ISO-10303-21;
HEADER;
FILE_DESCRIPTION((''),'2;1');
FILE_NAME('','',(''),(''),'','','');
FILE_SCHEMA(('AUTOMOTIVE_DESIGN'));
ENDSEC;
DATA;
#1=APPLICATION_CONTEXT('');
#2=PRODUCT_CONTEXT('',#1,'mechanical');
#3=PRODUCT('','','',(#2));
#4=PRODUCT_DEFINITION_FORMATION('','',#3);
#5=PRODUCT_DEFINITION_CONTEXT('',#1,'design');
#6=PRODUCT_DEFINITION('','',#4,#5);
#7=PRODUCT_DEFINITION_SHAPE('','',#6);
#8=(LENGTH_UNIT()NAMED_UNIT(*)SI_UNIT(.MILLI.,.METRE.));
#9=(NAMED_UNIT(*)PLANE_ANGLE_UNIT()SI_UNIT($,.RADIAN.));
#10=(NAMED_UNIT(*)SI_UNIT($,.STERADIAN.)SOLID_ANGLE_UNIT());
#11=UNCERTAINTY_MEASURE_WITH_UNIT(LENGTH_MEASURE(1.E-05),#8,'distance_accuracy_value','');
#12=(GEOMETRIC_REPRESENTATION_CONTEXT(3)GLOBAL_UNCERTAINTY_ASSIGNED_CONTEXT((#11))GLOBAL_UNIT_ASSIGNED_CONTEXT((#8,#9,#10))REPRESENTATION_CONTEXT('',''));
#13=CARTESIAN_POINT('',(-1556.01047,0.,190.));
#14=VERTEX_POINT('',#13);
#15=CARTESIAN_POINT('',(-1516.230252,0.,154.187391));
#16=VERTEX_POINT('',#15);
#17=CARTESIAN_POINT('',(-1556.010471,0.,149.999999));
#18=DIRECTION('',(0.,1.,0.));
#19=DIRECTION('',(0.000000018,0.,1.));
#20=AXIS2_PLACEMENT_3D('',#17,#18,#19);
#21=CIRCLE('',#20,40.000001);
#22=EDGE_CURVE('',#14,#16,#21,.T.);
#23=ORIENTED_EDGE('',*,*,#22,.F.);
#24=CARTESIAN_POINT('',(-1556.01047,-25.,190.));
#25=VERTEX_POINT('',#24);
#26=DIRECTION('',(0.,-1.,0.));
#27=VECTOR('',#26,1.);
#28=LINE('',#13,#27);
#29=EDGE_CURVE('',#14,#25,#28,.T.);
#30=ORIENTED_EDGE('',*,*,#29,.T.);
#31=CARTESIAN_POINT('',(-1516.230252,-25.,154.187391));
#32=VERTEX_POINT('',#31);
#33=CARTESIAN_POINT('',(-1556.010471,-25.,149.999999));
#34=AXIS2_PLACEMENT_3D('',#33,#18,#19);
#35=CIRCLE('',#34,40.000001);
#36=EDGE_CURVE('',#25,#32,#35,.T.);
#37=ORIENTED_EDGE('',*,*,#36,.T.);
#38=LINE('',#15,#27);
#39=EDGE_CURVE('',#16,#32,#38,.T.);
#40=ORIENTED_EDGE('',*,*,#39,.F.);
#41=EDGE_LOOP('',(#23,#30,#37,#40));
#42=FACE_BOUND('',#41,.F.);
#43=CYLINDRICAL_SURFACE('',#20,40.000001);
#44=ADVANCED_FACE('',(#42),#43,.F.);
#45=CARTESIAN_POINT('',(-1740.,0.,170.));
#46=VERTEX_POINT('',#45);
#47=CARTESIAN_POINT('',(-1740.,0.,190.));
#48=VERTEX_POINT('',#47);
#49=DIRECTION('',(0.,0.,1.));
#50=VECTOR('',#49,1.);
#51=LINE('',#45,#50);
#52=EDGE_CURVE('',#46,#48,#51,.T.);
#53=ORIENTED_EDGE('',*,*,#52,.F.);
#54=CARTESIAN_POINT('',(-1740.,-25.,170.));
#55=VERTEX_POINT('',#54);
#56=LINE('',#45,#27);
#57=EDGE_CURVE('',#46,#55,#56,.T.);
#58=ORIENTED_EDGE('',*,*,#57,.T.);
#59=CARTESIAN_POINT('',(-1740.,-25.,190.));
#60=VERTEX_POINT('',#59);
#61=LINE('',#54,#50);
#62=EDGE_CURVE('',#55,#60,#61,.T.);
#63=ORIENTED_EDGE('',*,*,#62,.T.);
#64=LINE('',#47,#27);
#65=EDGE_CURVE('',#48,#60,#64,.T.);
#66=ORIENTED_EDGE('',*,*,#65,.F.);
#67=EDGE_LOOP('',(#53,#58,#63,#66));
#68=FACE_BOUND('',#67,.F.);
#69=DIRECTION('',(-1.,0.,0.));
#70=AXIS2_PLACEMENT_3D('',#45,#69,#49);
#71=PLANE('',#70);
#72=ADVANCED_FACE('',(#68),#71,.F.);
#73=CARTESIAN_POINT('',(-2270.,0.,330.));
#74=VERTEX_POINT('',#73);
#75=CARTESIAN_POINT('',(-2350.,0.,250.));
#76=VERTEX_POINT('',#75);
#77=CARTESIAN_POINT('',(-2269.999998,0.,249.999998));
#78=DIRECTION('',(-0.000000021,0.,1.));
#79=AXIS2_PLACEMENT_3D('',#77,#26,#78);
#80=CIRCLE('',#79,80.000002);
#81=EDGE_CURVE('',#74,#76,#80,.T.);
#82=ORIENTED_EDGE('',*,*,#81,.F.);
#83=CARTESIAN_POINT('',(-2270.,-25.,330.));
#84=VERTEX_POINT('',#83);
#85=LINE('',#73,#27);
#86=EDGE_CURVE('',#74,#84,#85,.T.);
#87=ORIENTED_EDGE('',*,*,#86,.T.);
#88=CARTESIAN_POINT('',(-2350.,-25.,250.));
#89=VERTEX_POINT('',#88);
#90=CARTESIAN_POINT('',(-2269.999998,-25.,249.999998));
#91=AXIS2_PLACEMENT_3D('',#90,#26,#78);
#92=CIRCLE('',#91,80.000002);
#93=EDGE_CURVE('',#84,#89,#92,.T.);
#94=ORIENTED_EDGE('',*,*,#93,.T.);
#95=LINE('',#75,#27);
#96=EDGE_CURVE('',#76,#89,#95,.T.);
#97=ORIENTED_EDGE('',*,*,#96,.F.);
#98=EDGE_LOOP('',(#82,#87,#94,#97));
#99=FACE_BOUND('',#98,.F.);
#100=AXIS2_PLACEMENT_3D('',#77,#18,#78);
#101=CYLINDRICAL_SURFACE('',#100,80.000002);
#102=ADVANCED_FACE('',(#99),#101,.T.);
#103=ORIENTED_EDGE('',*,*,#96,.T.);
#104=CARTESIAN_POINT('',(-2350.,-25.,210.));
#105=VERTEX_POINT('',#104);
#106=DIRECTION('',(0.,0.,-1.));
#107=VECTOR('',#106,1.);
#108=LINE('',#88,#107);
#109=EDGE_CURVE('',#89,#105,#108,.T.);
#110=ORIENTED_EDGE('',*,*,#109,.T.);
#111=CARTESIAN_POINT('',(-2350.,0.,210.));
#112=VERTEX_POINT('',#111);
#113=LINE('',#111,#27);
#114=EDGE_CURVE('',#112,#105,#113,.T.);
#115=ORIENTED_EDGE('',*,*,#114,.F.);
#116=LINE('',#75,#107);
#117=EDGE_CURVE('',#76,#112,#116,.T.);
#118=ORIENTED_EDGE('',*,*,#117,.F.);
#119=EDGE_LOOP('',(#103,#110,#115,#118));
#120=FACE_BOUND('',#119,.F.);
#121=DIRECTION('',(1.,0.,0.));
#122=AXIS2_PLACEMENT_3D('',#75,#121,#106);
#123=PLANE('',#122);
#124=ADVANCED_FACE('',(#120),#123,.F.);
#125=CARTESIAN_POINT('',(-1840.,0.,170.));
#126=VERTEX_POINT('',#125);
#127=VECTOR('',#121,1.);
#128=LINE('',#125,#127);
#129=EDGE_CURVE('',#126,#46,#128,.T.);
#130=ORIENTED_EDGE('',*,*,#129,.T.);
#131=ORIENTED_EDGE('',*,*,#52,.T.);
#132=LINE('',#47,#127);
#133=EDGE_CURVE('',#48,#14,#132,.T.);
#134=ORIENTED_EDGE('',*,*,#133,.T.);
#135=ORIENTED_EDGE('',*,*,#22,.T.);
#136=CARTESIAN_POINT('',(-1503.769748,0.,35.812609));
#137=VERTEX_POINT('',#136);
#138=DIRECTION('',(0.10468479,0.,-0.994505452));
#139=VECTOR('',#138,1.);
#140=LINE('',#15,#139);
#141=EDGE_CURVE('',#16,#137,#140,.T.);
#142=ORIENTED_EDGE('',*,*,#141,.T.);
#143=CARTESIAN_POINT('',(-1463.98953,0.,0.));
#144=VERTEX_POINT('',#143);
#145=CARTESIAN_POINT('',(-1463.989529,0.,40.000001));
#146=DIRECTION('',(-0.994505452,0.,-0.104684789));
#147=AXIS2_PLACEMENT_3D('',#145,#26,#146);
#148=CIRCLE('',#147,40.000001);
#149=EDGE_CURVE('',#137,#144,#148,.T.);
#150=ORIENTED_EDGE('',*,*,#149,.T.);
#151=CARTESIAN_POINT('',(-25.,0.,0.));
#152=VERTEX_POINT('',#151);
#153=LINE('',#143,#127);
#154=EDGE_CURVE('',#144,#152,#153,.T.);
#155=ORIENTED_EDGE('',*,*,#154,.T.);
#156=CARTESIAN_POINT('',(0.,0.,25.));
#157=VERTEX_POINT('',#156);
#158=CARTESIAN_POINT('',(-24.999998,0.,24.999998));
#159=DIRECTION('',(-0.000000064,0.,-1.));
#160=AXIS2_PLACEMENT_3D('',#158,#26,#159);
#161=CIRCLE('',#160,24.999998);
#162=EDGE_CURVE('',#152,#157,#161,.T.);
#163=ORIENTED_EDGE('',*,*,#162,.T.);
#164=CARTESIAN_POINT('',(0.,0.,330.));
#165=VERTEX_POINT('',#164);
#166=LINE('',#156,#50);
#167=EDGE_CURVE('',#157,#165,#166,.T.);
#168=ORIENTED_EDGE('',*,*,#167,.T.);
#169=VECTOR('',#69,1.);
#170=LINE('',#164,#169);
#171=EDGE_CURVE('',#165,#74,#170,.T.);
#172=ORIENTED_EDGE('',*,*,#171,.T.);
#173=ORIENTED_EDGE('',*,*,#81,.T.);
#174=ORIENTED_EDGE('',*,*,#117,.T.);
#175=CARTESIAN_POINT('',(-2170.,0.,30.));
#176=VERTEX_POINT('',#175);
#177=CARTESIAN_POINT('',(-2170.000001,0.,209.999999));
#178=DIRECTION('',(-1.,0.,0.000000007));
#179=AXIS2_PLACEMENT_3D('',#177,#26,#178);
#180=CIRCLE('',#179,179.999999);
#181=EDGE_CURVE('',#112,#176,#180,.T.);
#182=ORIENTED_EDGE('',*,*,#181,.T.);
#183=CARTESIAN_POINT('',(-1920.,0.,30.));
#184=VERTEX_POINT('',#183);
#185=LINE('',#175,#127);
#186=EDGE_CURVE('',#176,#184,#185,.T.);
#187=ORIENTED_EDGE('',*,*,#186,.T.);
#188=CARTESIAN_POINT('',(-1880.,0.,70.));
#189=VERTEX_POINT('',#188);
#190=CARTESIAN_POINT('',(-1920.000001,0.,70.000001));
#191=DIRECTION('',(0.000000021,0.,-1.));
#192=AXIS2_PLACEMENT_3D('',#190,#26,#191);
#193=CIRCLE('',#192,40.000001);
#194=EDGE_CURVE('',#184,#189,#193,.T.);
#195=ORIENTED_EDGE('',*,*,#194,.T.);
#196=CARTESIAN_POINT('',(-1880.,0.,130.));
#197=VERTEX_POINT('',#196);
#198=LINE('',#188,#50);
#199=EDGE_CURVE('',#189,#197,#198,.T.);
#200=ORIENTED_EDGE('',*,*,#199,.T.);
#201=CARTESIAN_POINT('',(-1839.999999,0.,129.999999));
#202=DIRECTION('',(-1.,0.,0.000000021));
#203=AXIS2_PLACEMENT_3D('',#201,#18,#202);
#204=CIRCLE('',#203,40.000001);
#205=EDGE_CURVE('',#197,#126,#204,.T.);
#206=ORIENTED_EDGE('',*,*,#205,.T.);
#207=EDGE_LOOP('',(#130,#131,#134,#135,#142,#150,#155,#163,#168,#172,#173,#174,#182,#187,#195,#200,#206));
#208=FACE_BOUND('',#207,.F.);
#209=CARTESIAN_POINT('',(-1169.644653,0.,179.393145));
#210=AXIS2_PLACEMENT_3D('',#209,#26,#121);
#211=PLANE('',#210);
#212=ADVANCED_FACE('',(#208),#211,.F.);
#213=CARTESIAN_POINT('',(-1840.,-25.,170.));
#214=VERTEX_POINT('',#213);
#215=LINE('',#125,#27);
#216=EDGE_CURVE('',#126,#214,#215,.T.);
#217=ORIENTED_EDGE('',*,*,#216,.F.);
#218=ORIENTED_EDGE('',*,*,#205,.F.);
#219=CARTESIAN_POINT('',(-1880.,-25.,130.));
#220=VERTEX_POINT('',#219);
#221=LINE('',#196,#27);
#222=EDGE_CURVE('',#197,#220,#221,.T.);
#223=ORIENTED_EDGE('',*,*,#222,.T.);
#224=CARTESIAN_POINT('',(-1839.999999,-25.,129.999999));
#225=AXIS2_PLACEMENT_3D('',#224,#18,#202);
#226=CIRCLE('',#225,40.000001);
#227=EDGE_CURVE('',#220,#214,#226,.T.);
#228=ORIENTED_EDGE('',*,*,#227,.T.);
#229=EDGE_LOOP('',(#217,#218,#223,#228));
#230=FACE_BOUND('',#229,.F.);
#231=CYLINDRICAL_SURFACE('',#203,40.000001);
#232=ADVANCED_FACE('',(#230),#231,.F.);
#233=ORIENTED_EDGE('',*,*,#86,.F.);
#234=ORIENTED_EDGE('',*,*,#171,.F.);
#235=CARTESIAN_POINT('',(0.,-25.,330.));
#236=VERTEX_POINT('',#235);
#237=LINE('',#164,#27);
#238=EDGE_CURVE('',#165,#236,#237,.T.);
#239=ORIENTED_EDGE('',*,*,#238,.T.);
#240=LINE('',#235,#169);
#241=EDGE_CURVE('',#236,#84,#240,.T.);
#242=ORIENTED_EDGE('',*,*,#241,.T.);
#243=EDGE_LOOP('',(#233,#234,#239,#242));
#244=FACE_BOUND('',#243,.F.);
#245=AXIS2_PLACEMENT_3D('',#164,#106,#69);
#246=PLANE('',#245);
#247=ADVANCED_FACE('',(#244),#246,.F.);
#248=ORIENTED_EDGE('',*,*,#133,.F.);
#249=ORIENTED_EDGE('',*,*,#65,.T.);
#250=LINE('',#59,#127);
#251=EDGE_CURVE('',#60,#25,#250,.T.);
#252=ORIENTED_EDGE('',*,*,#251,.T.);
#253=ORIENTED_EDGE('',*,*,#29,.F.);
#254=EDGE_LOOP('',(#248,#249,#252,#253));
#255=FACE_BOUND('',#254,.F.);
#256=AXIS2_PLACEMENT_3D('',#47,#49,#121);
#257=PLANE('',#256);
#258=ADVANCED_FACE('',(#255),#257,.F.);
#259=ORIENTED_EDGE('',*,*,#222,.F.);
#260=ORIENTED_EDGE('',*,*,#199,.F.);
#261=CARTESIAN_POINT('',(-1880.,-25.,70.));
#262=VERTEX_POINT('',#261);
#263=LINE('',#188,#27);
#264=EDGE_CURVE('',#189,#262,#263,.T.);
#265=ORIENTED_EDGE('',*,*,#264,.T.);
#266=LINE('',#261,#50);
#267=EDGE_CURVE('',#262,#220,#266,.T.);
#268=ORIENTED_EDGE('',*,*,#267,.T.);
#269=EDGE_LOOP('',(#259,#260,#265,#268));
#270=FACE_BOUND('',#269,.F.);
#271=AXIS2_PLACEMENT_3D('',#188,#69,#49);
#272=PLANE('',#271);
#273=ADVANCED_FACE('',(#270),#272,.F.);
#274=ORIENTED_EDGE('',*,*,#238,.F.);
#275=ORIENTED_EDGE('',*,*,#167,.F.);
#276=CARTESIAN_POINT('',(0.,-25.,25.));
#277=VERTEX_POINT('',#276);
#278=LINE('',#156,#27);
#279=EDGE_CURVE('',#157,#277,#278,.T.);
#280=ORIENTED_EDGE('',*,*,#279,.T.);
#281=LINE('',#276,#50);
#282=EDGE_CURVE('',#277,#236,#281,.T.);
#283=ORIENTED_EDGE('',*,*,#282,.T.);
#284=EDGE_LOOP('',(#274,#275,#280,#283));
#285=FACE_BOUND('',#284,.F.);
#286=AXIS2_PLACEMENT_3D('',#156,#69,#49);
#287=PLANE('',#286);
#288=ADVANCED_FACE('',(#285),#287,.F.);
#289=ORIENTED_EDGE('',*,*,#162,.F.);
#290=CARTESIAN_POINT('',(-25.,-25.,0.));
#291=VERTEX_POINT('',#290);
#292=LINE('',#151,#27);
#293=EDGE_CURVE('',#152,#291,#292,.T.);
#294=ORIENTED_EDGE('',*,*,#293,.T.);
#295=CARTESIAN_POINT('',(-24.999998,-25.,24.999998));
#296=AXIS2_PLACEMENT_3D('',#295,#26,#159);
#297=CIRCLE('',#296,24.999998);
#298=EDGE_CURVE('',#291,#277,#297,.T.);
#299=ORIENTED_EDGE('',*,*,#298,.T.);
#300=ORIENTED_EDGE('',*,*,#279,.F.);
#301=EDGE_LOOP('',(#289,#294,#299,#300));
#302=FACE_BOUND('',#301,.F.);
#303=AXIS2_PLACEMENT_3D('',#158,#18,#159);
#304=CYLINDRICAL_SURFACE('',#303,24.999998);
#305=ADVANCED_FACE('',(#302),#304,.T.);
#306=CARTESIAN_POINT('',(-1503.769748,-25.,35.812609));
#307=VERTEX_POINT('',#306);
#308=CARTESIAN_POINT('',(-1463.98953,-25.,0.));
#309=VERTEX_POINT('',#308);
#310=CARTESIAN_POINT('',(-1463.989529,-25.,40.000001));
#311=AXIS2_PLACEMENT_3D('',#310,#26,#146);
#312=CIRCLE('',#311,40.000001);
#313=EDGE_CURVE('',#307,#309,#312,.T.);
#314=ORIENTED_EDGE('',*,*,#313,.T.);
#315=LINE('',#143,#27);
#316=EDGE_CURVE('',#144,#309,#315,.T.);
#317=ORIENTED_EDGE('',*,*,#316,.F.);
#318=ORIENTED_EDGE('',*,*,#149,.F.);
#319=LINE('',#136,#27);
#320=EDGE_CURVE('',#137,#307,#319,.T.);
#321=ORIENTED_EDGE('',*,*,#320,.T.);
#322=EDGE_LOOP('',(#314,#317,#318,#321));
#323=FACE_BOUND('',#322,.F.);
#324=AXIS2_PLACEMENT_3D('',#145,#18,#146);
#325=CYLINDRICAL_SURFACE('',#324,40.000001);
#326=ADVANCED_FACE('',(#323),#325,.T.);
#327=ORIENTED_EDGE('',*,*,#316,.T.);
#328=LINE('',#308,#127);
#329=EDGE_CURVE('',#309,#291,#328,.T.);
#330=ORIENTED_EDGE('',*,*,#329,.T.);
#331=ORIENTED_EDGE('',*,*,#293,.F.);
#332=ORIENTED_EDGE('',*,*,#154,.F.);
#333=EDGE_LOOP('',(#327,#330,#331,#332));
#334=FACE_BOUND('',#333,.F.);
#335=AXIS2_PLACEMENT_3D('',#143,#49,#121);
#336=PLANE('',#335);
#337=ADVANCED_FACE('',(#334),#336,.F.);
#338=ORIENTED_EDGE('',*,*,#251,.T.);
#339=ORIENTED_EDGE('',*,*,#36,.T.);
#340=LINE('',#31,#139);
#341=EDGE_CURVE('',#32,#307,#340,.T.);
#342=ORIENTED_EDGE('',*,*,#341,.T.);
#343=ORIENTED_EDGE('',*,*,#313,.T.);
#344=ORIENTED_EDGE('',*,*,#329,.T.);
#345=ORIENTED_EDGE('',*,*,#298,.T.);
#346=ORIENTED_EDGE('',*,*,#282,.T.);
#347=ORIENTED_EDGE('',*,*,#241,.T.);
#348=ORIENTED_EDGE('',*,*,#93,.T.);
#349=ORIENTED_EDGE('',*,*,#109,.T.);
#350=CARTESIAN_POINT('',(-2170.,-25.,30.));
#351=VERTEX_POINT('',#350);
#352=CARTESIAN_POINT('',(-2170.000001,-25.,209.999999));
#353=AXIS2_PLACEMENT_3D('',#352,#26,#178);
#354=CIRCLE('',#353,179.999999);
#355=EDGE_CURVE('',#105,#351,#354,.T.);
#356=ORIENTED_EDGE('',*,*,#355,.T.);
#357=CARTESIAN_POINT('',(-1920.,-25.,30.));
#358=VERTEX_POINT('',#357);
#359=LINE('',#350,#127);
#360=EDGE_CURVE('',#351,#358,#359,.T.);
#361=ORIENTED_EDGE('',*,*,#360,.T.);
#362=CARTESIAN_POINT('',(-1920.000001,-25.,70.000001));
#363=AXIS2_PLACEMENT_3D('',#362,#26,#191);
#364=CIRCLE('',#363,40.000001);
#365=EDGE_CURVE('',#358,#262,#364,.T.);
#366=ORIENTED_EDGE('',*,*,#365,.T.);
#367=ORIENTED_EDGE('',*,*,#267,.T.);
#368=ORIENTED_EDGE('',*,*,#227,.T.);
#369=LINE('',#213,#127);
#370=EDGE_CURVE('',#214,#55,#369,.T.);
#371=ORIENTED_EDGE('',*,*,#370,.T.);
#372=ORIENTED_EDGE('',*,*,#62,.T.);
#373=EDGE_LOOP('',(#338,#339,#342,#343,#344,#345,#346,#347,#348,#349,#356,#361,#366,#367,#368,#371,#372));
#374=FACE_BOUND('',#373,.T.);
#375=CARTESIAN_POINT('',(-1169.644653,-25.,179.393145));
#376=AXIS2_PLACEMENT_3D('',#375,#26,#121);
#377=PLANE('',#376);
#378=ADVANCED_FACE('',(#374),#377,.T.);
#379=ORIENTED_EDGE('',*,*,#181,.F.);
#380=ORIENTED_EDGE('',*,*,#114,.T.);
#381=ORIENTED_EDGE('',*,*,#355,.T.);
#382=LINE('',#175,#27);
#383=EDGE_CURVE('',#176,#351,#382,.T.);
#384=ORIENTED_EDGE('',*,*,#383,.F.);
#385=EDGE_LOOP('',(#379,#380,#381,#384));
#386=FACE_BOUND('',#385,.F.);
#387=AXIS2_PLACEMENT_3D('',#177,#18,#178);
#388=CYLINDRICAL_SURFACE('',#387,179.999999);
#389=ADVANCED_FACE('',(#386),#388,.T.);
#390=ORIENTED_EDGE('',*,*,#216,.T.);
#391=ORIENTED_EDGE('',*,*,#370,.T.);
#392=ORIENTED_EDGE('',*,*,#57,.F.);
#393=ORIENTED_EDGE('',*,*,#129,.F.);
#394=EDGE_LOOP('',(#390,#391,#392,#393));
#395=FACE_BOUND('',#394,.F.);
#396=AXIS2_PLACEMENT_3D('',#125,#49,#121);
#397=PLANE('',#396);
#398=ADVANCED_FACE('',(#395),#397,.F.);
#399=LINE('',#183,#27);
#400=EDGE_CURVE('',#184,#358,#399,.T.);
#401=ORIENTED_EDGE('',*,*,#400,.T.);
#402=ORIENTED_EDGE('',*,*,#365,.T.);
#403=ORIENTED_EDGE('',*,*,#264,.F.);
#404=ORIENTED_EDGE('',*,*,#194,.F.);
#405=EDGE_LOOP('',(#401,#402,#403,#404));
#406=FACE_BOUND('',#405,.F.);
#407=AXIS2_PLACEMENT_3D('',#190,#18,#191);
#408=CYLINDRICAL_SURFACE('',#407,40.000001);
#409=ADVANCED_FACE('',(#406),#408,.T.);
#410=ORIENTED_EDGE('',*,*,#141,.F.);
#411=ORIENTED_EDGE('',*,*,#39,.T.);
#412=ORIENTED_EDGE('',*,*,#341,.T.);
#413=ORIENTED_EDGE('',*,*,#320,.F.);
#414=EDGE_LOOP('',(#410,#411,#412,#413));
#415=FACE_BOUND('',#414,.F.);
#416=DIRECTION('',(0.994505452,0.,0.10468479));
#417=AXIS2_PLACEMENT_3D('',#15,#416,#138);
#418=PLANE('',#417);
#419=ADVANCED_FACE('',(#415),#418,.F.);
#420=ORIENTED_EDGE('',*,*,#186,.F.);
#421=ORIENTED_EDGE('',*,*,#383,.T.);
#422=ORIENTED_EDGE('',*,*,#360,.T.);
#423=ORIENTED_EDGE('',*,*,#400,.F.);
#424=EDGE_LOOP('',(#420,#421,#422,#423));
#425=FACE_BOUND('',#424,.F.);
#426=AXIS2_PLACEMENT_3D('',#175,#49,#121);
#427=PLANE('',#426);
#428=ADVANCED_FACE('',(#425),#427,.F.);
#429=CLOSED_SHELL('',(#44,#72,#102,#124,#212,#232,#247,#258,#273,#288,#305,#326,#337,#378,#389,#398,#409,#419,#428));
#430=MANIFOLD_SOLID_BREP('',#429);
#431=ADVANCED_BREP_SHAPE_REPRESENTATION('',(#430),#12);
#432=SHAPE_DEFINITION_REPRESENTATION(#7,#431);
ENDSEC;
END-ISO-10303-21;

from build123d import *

# Parameters (mm, degrees)
F1_DEPTH = 25


with BuildPart() as f1:
    # F0 (on Front) → F1 (new body)
    with BuildSketch(Plane.XZ):
        with BuildLine():
            Line((0, 25), (0, 330))
            Line((0, 330), (-2270, 330))
            ThreePointArc((-2270, 330), (-2326.568542, 306.568542), (-2350, 250))
            Line((-2350, 250), (-2350, 210))
            ThreePointArc((-2350, 210), (-2297.279221, 82.720779), (-2170, 30))
            Line((-2170, 30), (-1920, 30))
            ThreePointArc((-1920, 30), (-1891.715729, 41.715729), (-1880, 70))
            Line((-1880, 70), (-1880, 130))
            ThreePointArc((-1880, 130), (-1868.284271, 158.284271), (-1840, 170))
            Line((-1840, 170), (-1740, 170))
            Line((-1740, 170), (-1740, 190))
            Line((-1740, 190), (-1556.01047, 190))
            ThreePointArc((-1556.01047, 190), (-1529.247582, 179.727896), (-1516.230252, 154.187391))
            Line((-1516.230252, 154.187391), (-1503.769748, 35.812609))
            ThreePointArc((-1503.769748, 35.812609), (-1490.752418, 10.272104), (-1463.98953, 0))
            Line((-1463.98953, 0), (-25, 0))
            ThreePointArc((-25, 0), (-7.32233, 7.32233), (0, 25))
        make_face()
    extrude(amount=F1_DEPTH)


solid = f1.part
